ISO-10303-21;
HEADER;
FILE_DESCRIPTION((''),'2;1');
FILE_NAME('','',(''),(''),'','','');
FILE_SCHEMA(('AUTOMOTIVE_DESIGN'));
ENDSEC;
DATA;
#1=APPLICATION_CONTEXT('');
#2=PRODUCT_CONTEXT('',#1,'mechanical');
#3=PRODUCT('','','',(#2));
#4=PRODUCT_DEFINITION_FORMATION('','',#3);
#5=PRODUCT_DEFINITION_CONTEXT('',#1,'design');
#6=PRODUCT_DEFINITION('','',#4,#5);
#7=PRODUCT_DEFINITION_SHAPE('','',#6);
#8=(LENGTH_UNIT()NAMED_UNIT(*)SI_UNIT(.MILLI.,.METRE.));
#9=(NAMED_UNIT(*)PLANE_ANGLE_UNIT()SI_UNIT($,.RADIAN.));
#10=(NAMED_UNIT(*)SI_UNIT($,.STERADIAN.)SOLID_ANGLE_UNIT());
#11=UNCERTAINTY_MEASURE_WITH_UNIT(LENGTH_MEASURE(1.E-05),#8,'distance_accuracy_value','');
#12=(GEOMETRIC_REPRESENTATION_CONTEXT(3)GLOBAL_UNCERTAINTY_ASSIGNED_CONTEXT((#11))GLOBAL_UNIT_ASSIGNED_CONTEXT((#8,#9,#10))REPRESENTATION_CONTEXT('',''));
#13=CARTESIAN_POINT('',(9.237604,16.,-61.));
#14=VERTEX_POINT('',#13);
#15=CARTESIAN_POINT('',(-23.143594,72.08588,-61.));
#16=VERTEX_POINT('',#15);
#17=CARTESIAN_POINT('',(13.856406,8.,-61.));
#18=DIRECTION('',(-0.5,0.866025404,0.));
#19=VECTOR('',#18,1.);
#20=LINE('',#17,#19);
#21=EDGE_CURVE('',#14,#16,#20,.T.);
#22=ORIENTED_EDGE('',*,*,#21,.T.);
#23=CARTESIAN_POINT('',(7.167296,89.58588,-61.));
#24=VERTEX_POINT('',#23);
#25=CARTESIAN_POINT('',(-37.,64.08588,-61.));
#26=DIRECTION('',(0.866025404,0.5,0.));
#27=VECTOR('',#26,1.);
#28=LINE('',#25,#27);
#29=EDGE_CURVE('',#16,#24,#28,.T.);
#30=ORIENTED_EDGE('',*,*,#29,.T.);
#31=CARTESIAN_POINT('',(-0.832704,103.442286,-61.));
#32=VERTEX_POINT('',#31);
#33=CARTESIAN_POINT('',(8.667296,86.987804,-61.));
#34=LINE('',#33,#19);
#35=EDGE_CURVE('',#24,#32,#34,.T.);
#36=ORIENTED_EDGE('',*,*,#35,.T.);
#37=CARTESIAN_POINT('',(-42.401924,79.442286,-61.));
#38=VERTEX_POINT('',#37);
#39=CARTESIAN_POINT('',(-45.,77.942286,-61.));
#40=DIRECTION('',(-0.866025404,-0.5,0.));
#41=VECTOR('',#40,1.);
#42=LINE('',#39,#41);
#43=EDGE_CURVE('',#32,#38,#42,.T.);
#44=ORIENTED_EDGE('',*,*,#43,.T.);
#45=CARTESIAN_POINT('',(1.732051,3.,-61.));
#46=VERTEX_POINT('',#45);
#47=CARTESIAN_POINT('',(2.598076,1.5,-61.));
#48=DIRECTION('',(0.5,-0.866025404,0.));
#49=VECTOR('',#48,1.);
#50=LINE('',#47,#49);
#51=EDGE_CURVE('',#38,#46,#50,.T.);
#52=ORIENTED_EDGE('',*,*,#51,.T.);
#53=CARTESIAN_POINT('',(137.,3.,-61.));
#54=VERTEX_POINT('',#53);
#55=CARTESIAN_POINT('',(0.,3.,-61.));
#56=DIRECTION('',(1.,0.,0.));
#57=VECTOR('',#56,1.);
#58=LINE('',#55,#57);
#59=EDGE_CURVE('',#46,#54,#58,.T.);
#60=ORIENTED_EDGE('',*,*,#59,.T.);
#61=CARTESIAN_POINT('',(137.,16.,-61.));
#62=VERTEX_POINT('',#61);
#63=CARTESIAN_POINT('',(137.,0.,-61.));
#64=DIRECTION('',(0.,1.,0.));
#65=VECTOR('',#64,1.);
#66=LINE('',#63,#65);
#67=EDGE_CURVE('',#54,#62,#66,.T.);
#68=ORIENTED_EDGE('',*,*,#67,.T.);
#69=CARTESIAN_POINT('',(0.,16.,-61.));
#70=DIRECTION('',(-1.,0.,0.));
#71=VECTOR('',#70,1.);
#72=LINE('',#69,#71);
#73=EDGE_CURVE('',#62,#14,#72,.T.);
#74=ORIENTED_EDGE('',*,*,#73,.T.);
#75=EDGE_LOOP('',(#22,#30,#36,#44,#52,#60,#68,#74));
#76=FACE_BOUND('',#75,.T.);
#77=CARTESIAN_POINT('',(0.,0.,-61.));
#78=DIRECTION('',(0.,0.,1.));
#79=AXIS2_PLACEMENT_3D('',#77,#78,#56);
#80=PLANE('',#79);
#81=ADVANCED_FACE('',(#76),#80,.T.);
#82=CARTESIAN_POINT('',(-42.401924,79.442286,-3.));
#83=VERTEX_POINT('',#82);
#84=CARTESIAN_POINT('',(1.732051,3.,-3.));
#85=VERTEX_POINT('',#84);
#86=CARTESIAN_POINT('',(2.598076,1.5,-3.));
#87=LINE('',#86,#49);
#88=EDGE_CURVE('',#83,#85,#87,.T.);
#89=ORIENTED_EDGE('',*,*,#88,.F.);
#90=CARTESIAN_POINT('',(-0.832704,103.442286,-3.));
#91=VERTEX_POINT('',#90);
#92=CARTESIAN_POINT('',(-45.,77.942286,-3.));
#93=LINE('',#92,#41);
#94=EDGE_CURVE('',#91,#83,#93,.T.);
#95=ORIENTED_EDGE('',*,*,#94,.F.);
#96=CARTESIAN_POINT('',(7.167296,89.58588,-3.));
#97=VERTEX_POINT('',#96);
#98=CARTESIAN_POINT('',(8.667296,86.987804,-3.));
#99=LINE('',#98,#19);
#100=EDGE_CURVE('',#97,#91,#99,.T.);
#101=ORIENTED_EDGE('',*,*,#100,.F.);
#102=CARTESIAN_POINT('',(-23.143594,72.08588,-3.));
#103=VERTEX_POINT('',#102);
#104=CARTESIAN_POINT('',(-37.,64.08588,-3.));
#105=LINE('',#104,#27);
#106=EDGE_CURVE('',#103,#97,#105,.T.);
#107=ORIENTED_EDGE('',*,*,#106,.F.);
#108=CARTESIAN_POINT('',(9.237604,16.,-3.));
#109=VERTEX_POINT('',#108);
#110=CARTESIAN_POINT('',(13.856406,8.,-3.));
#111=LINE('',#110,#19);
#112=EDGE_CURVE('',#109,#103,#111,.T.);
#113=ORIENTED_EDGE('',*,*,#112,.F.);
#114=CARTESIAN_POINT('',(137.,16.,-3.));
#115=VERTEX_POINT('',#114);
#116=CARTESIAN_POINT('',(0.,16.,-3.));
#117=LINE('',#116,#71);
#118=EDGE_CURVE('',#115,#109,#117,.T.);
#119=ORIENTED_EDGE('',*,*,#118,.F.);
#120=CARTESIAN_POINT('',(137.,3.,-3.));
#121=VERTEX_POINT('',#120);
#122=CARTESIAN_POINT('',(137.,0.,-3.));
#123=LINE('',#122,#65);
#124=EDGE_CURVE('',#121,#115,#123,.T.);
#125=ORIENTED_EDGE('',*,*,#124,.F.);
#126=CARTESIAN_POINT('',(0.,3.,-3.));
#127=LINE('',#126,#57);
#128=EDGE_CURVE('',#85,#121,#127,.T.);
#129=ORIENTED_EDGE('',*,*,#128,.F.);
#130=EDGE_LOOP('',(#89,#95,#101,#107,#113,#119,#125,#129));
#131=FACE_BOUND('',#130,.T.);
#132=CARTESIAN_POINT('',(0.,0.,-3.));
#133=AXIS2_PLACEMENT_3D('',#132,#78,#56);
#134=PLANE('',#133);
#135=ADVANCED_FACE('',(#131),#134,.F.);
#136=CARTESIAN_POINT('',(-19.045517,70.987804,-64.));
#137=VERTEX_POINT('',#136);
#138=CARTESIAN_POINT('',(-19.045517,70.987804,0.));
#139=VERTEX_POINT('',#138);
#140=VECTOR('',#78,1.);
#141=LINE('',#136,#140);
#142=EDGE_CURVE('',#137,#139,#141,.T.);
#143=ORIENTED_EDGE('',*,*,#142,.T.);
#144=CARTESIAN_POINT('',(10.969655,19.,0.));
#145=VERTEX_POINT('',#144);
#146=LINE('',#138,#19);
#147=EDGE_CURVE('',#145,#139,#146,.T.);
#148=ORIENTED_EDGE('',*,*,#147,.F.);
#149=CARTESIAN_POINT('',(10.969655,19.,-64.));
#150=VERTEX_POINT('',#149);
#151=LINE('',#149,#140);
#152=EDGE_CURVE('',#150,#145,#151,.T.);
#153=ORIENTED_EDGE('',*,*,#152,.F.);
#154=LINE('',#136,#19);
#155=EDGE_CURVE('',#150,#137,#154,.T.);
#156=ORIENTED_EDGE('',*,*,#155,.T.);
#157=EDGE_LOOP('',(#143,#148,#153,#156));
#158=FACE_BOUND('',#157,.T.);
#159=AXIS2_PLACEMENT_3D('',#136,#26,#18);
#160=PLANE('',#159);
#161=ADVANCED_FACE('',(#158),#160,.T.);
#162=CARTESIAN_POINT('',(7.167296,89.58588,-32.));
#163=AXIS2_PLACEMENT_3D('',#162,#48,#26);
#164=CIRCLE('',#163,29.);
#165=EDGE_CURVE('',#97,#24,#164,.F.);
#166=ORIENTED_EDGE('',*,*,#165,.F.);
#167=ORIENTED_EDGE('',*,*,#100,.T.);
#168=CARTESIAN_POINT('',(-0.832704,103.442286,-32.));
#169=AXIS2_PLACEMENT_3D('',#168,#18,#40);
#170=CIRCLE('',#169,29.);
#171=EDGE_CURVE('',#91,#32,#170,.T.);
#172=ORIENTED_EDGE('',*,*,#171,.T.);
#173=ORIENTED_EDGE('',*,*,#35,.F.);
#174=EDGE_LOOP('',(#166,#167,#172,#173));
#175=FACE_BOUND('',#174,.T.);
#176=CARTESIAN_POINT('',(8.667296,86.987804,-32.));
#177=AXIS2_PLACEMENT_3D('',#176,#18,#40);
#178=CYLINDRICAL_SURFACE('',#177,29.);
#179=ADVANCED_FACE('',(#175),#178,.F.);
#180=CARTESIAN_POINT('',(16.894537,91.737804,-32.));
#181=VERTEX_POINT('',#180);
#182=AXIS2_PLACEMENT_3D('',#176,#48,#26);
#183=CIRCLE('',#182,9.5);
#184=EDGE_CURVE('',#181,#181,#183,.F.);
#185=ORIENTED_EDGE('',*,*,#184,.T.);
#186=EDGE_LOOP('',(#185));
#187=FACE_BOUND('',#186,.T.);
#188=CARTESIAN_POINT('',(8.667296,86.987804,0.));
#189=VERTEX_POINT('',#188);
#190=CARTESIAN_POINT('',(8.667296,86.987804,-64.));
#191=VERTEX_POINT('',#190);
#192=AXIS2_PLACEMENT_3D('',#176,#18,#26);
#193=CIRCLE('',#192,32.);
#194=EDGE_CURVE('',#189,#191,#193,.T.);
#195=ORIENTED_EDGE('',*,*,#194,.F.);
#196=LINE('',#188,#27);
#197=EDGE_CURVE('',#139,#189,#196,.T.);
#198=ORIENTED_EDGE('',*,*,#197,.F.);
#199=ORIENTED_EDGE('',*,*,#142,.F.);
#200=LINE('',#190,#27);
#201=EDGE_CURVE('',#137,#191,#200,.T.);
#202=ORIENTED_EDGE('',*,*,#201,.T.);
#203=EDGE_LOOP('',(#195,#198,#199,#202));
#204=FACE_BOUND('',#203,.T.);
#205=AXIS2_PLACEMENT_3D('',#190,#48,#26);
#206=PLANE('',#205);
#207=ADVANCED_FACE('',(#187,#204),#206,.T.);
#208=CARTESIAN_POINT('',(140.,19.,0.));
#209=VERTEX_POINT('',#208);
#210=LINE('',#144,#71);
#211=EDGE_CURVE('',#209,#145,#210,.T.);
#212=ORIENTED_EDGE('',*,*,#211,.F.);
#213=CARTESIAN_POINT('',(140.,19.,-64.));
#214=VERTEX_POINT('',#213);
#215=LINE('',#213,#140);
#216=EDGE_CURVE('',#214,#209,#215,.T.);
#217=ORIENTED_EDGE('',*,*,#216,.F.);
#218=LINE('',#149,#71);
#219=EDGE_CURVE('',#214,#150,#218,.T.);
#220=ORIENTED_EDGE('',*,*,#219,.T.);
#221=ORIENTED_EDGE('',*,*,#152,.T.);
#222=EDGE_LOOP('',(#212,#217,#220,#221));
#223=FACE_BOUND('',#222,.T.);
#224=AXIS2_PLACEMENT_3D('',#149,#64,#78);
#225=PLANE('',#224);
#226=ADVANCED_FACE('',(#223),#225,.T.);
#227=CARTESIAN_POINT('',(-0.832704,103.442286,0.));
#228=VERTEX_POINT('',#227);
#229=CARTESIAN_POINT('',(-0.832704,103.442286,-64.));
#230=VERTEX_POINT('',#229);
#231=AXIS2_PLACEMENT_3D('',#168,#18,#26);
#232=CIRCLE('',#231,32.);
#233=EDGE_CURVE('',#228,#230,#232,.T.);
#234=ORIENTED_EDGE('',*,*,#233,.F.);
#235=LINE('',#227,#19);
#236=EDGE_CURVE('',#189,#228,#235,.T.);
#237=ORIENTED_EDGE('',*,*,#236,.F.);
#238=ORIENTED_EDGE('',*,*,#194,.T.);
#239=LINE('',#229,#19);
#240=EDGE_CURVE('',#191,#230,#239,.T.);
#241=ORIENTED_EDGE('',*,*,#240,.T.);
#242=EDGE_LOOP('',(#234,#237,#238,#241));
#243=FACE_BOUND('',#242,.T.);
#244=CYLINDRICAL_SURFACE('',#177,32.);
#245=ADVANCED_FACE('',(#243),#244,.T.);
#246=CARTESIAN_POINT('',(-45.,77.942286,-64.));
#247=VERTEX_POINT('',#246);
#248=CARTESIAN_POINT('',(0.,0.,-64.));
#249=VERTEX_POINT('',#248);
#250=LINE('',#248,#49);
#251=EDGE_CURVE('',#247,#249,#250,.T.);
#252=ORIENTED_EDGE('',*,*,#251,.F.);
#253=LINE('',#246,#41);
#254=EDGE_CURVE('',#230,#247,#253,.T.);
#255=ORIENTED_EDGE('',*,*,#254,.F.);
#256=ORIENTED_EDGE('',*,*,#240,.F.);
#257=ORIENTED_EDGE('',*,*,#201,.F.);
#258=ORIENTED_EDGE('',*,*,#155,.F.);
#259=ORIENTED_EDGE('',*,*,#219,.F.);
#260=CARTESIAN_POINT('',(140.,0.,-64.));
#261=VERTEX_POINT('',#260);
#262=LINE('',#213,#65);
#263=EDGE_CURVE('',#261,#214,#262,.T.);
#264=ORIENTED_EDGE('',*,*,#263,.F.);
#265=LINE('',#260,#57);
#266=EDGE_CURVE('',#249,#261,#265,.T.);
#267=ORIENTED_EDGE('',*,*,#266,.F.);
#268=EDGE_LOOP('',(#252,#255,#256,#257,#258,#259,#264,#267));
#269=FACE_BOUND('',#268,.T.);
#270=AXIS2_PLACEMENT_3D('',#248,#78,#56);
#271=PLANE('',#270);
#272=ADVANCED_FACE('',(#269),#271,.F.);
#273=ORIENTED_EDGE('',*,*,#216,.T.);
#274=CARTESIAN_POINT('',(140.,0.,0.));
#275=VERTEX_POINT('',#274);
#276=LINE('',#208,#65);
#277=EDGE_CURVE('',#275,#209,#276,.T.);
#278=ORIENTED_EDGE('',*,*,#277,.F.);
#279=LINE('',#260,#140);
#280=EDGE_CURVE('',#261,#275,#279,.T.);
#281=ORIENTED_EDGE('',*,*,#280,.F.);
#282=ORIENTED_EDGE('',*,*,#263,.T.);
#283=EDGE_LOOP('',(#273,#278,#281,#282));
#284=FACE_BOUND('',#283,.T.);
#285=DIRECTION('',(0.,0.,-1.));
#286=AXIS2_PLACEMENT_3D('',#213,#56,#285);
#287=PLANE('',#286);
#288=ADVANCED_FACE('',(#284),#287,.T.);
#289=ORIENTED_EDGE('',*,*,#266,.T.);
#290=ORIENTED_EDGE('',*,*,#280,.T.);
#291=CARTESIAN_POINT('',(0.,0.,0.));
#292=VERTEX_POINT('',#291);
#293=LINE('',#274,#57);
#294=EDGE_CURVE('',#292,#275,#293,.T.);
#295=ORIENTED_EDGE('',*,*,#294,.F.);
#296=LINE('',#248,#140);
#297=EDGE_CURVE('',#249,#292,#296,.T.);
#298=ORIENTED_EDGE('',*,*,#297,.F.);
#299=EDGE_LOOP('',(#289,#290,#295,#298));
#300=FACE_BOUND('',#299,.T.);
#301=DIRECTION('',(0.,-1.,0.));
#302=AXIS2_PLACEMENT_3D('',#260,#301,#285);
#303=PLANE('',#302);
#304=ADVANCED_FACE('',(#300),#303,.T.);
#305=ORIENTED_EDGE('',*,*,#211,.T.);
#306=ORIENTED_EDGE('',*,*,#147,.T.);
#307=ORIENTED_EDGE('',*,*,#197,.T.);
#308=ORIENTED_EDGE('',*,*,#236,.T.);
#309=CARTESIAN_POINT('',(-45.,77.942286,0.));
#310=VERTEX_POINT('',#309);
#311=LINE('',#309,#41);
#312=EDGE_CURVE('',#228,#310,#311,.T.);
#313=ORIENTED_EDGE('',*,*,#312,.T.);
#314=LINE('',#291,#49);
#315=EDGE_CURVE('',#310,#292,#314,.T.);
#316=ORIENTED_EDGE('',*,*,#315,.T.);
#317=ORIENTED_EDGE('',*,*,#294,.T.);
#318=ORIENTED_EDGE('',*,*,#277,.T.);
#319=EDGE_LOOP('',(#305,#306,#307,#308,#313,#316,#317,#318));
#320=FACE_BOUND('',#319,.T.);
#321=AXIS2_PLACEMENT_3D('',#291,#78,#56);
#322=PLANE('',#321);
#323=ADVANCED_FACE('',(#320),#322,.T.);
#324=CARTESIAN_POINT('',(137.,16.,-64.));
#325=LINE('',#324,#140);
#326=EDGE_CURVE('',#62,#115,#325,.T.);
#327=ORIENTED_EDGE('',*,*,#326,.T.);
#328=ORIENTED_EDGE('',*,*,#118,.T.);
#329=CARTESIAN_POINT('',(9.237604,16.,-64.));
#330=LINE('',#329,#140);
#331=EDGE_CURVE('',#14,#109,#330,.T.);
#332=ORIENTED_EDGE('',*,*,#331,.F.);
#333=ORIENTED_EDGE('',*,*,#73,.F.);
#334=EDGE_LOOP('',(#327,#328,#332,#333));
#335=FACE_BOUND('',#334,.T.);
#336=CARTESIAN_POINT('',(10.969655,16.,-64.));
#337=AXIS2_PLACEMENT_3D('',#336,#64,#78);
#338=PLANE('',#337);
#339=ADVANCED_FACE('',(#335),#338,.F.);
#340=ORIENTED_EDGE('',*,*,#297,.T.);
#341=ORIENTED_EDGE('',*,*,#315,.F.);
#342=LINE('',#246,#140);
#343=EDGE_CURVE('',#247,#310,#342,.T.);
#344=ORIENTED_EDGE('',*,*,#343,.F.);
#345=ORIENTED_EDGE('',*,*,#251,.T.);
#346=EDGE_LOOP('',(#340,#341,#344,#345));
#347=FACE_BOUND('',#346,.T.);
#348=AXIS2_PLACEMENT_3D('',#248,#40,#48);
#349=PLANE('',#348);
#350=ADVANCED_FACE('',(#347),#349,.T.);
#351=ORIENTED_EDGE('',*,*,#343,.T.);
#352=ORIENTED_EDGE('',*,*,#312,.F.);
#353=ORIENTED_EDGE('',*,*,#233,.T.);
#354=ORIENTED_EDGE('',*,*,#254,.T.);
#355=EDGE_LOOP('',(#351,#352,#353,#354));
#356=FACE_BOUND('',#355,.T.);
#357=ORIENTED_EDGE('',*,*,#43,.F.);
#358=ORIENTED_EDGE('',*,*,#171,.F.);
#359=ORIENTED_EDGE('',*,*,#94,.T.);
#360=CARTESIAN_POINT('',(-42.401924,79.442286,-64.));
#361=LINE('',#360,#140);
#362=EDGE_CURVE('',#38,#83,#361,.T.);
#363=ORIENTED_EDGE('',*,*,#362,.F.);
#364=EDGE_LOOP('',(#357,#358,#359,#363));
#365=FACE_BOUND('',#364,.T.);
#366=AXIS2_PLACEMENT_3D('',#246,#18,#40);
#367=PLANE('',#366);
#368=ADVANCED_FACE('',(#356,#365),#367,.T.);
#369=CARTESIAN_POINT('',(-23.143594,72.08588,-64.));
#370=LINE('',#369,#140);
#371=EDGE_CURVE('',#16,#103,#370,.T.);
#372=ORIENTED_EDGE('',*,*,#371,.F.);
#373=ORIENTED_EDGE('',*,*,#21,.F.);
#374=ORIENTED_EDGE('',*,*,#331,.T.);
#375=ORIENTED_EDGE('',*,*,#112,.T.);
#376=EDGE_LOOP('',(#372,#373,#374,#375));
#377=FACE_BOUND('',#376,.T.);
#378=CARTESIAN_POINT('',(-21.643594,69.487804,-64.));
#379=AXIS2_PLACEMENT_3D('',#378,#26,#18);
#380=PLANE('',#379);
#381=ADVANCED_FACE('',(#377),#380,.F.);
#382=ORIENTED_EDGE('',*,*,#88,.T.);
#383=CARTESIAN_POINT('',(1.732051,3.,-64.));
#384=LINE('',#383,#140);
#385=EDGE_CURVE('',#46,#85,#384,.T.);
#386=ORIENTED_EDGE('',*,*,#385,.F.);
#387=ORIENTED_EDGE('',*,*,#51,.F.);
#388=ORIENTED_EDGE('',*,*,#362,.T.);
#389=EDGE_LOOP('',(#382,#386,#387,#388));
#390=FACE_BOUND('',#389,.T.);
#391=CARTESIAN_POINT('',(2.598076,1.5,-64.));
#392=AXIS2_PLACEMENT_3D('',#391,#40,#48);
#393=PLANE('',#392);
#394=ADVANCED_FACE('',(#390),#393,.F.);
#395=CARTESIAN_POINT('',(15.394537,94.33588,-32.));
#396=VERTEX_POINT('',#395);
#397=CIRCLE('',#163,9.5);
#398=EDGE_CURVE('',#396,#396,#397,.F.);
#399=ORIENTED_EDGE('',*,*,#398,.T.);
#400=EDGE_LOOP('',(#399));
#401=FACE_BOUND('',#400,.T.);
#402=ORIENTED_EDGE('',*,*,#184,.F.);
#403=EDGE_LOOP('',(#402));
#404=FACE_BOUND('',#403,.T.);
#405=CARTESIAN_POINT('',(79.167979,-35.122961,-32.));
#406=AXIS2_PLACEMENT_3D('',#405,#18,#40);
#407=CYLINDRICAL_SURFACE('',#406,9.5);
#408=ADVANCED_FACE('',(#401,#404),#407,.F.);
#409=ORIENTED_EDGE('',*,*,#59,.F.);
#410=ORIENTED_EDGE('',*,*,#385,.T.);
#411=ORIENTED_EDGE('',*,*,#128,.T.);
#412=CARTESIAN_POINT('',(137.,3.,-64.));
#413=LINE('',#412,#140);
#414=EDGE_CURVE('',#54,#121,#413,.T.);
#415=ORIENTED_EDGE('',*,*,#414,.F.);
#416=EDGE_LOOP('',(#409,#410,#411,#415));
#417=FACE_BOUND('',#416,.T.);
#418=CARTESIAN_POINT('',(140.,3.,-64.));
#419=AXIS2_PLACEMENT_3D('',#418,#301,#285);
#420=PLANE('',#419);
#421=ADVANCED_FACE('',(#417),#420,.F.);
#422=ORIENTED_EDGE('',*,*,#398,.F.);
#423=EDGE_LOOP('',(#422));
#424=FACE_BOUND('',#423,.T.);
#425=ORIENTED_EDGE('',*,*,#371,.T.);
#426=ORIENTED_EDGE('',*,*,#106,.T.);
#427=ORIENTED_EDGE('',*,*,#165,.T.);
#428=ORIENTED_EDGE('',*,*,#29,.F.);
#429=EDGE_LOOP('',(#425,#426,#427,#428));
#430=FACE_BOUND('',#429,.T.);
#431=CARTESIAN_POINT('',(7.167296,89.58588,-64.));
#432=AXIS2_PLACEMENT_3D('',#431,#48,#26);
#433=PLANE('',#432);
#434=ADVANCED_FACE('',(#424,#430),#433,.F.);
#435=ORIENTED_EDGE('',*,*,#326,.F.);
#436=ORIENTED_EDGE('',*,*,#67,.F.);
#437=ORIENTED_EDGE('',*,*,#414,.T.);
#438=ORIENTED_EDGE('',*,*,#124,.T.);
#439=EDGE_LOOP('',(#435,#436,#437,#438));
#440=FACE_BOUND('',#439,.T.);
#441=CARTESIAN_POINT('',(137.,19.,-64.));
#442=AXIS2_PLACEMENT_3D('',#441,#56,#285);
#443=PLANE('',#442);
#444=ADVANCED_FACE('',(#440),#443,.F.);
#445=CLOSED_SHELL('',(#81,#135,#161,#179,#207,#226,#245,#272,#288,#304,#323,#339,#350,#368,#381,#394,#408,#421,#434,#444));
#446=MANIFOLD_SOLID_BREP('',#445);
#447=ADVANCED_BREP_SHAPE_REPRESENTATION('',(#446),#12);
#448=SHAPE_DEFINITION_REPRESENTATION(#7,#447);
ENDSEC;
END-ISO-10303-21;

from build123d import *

# Parameters (mm, degrees)
BOSS_EXTRU_1_DEPTH      = 64
BOSS_EXTRU_2_DEPTH      = 19
ENL_V_MAT_EXTRU_1_REACH = 212.704
ESQUISSE3_R             = 9.500000000000002
COQUE1_T                = -3


with BuildPart() as part:
    # Esquisse1 → Boss.-Extru.1 (new body)
    with BuildSketch(Plane.XY):
        Polygon((0, 0), (-44.99999999999982, 77.94228634059958), (-0.8327044069934009, 103.44228634059948), (8.667295593006552, 86.98780366869514), (-19.0455173280955, 70.9878036686952), (10.969655114602942, 19), (140.00000000000003, 19), (140.00000000000003, 0), align=None)
    extrude(amount=-BOSS_EXTRU_1_DEPTH)

    # Esquisse2 → Boss.-Extru.2 (add)
    with BuildSketch(Plane(origin=(-44.99999999999984, 77.94228634059961, 0), x_dir=(0.8660254037844398, 0.49999999999999806, 0), z_dir=(-0.499999999999998, 0.8660254037844397, 0))):
        with BuildLine():
            Line((50.999999999999986, 64), (50.99999999999999, 0))
            ThreePointArc((50.99999999999999, 0), (82.99999999999999, 32), (50.999999999999986, 64))
        make_face()
    extrude(amount=-BOSS_EXTRU_2_DEPTH)

    # Esquisse3 → Enlèv. mat.-Extru.1 (cut, up to next)
    with BuildSketch(Plane(origin=(-44.99999999999984, 77.94228634059961, 0), x_dir=(0.8660254037844398, 0.49999999999999806, 0), z_dir=(-0.499999999999998, 0.8660254037844397, 0)), mode=Mode.PRIVATE) as enl_v_mat_extru_1_sk1:
        with Locations((50.99999999999997, 32)):
            Circle(ESQUISSE3_R)
    enl_v_mat_extru_1_tool1 = extrude(enl_v_mat_extru_1_sk1.sketch, amount=-ENL_V_MAT_EXTRU_1_REACH, mode=Mode.PRIVATE) & part.part
    add(enl_v_mat_extru_1_tool1.solids().sort_by_distance((-0.832704, 103.442286, -32))[0], mode=Mode.SUBTRACT)

    # Coque1
    coque1_openings = [part.faces().sort_by_distance(p)[0] for p in [
        (-12.417537386, 96.753779901, -32),
        (-4.309945743, 90.465045005, -32),
    ]]
    offset(amount=COQUE1_T, openings=coque1_openings, kind=Kind.INTERSECTION)


solid = part.part
